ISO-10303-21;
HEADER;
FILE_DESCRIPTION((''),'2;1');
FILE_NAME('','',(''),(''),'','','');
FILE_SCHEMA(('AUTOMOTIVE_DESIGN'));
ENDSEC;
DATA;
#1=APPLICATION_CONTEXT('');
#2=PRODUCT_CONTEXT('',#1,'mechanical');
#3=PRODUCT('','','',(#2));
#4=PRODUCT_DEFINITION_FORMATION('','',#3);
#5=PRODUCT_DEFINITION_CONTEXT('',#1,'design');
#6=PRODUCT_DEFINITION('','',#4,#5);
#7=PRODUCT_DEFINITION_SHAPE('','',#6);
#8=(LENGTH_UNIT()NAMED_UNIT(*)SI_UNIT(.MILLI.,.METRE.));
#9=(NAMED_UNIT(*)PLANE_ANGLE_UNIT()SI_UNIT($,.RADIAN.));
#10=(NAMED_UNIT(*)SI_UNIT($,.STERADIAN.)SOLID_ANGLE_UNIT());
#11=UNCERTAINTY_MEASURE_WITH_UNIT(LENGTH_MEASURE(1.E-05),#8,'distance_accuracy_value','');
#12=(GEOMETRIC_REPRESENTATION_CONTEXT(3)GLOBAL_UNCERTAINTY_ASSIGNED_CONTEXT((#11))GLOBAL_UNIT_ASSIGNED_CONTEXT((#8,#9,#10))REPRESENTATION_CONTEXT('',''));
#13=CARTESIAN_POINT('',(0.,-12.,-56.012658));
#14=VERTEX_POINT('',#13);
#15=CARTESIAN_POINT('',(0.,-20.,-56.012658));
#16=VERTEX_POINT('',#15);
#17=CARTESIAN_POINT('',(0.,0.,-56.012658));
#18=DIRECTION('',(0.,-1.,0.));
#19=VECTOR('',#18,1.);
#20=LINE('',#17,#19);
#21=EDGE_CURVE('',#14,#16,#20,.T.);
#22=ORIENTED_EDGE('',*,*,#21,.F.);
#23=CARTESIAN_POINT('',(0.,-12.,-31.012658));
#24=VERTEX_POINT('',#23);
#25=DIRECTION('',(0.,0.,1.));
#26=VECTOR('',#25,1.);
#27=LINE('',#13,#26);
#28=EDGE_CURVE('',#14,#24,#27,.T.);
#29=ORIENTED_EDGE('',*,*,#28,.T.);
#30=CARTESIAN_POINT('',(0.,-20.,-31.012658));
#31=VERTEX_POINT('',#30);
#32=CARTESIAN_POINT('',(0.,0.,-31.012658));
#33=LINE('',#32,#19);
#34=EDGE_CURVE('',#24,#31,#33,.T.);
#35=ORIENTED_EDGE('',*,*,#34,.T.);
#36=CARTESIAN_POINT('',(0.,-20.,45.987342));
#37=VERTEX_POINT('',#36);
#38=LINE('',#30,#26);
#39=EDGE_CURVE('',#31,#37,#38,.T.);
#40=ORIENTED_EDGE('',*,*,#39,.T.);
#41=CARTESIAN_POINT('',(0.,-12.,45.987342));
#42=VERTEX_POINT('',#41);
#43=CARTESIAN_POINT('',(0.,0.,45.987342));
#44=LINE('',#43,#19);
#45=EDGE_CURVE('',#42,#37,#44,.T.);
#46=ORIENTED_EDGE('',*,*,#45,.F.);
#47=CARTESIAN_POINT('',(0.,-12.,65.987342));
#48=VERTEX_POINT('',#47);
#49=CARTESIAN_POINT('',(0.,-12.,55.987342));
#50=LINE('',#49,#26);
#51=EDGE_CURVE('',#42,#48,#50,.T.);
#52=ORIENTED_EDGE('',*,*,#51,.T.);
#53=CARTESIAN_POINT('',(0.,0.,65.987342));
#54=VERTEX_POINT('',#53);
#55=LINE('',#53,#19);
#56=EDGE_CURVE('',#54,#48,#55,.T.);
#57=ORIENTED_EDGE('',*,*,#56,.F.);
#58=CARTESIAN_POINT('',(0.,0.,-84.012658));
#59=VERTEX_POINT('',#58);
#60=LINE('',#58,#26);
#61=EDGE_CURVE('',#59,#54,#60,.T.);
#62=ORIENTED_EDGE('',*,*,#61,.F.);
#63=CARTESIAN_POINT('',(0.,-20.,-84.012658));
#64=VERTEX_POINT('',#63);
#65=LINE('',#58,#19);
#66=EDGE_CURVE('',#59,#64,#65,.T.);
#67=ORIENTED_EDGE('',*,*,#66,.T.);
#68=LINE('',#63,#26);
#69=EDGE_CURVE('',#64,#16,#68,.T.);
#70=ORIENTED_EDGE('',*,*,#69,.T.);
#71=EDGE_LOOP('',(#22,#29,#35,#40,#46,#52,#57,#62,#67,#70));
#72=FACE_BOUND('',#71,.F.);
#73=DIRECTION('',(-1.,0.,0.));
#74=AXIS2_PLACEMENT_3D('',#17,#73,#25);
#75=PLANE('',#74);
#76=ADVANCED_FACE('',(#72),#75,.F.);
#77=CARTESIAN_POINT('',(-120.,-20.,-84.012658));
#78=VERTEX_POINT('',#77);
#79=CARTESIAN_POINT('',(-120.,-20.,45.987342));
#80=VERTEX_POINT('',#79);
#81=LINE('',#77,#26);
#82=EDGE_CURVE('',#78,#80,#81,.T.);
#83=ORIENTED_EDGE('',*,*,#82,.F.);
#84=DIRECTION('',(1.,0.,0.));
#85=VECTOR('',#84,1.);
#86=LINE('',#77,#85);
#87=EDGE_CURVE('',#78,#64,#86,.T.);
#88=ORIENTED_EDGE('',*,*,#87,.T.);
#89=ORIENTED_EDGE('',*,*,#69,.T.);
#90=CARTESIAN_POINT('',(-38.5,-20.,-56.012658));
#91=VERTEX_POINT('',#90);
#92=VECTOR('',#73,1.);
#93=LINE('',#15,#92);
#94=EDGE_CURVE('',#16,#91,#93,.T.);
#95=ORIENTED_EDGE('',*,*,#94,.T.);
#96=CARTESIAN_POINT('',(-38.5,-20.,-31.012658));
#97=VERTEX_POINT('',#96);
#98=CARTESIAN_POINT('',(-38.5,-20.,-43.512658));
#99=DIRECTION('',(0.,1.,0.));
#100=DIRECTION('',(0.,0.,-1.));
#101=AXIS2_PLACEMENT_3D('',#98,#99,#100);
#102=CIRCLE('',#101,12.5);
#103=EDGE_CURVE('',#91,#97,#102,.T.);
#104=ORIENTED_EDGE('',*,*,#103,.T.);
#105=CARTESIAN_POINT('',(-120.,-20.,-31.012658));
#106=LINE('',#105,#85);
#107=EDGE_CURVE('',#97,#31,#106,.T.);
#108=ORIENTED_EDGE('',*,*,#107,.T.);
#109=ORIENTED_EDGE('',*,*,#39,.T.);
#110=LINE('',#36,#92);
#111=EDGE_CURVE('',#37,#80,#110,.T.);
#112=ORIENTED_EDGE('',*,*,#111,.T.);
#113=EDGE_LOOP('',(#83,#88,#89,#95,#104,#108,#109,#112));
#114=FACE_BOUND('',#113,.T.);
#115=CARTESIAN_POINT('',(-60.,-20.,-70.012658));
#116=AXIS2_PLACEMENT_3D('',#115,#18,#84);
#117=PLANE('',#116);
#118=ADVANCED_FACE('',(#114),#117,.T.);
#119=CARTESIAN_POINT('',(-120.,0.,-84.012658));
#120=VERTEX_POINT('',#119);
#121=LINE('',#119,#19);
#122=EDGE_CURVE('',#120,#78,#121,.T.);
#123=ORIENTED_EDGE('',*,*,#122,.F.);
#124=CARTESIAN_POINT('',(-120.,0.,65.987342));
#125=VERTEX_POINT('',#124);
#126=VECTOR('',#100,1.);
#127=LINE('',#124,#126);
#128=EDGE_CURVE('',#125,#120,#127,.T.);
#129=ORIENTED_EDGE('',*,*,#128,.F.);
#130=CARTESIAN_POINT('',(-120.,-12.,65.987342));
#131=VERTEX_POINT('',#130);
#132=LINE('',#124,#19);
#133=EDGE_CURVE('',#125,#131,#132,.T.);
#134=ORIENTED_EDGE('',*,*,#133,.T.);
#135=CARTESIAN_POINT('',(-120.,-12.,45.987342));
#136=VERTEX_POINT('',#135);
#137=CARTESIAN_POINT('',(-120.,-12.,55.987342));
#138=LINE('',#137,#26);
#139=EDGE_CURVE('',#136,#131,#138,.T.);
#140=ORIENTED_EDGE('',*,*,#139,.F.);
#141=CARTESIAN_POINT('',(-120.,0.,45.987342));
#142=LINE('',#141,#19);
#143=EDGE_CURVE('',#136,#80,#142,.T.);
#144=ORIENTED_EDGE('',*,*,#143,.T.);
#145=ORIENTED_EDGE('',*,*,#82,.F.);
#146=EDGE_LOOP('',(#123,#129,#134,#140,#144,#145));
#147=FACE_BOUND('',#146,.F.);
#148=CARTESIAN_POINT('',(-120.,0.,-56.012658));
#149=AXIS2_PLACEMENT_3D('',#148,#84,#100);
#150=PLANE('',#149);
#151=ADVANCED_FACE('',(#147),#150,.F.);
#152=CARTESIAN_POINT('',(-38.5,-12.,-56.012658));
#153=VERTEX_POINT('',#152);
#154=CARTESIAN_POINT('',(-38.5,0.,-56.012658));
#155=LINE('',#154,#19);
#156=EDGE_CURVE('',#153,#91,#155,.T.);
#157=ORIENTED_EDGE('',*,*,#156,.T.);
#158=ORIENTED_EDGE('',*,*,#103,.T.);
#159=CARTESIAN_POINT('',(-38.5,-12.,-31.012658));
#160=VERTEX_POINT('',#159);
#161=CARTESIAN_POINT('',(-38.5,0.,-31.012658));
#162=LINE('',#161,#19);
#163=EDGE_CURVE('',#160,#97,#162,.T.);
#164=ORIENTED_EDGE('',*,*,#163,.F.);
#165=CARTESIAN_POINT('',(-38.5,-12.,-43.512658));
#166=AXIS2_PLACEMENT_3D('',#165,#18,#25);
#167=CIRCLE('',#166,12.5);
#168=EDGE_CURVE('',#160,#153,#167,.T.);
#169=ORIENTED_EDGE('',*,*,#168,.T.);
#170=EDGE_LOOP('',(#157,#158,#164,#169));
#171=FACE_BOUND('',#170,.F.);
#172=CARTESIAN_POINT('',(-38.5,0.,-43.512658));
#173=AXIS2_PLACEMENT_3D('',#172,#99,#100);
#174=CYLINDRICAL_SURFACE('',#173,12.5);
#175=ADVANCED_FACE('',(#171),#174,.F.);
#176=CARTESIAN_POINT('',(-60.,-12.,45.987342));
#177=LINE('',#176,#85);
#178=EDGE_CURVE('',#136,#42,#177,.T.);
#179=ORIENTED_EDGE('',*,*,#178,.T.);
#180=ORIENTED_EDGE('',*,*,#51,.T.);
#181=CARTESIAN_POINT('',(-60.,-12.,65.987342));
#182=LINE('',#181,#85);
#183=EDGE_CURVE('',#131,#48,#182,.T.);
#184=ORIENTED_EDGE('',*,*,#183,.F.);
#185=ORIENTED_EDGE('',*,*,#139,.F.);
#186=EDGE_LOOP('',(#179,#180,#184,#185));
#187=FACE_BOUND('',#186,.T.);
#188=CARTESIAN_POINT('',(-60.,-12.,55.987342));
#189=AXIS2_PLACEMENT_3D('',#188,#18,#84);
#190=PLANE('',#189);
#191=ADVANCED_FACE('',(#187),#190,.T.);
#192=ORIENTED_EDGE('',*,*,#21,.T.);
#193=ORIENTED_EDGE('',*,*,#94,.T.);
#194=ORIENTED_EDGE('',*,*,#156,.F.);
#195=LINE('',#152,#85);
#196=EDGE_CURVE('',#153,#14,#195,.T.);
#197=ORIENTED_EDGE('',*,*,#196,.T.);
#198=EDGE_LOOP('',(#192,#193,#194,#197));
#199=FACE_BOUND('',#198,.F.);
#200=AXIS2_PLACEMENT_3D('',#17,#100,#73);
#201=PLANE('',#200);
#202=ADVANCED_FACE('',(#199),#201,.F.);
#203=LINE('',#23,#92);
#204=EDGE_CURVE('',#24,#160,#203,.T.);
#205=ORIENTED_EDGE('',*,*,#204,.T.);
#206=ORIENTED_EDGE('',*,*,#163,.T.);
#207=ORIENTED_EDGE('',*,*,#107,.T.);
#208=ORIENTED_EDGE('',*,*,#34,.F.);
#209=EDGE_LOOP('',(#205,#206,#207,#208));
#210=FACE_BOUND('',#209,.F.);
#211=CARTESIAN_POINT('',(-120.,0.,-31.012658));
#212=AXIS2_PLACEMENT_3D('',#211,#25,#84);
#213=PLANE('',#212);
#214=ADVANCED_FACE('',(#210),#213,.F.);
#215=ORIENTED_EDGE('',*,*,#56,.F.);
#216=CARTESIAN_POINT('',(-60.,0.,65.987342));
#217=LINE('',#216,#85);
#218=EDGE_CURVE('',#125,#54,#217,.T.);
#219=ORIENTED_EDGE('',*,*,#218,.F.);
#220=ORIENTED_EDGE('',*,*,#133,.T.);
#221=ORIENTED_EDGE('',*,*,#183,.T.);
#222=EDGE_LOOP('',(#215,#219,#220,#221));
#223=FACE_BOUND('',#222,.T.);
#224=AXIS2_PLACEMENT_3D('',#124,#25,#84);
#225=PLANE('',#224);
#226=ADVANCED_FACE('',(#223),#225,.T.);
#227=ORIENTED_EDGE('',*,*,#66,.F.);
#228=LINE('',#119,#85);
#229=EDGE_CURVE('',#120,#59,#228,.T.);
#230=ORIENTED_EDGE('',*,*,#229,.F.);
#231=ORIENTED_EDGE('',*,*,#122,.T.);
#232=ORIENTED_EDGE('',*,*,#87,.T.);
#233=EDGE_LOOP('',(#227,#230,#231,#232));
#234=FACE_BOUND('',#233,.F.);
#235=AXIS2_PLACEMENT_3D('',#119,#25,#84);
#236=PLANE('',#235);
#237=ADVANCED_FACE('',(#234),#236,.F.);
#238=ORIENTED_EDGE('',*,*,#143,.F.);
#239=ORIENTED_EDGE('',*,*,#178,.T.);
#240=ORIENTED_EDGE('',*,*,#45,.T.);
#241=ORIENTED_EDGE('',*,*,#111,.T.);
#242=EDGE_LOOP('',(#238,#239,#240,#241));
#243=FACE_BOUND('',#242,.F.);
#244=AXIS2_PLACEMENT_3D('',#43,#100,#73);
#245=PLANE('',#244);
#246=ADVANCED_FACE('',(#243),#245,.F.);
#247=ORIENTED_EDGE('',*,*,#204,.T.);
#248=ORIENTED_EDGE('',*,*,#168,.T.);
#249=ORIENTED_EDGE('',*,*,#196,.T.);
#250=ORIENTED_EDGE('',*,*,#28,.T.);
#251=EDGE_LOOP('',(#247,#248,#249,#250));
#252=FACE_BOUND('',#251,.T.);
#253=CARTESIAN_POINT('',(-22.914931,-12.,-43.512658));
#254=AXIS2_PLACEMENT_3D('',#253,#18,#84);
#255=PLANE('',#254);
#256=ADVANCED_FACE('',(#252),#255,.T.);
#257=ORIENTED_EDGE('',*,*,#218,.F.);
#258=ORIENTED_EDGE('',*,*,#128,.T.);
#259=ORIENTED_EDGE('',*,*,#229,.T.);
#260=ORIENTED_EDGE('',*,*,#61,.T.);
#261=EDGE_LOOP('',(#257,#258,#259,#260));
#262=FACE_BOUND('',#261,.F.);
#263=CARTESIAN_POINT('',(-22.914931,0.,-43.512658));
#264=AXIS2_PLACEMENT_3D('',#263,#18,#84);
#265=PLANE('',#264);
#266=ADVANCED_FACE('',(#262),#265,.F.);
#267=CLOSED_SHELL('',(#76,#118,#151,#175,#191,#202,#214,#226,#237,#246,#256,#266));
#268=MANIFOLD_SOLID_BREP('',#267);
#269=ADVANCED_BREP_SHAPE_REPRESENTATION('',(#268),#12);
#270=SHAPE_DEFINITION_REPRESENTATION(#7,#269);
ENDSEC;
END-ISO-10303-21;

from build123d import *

# Parameters (mm, degrees)
F0_W     = 120
F0_H     = 20
F1_DEPTH = 12
F2_DEPTH = 20
F3_DEPTH = 20
F4_DEPTH = 20
F5_DEPTH = 12


with BuildPart() as f1:
    # F0 (on Front) → F1 (new body)
    with BuildSketch(Plane.XZ):
        with Locations((-60, 55.987342)):
            Rectangle(F0_W, F0_H)
    extrude(amount=F1_DEPTH)

    # F0 (on Front) → F2 (join)
    with BuildSketch(Plane.XZ):
        Polygon((0, 45.987342), (-120, 45.987342), (-120, -31.012658), (-38.5, -31.012658), (0, -31.012658), align=None)
    extrude(amount=F2_DEPTH)

    # F0 (on Front) → F3 (join)
    with BuildSketch(Plane.XZ):
        with BuildLine():
            Line((-38.5, -31.012658), (-120, -31.012658))
            Line((-120, -31.012658), (-120, -56.012658))
            Line((-120, -56.012658), (-38.5, -56.012658))
            ThreePointArc((-38.5, -56.012658), (-51, -43.512658), (-38.5, -31.012658))
        make_face()
    extrude(amount=F3_DEPTH)

    # F0 (on Front) → F4 (join)
    with BuildSketch(Plane.XZ):
        Polygon((-38.5, -56.012658), (-120, -56.012658), (-120, -84.012658), (0, -84.012658), (0, -56.012658), align=None)
    extrude(amount=F4_DEPTH)

    # F0 (on Front) → F5 (join)
    with BuildSketch(Plane.XZ):
        with BuildLine():
            Line((0, -31.012658), (-38.5, -31.012658))
            ThreePointArc((-38.5, -31.012658), (-51, -43.512658), (-38.5, -56.012658))
            Line((-38.5, -56.012658), (0, -56.012658))
            Line((0, -56.012658), (0, -31.012658))
        make_face()
    extrude(amount=F5_DEPTH)


solid = f1.part
